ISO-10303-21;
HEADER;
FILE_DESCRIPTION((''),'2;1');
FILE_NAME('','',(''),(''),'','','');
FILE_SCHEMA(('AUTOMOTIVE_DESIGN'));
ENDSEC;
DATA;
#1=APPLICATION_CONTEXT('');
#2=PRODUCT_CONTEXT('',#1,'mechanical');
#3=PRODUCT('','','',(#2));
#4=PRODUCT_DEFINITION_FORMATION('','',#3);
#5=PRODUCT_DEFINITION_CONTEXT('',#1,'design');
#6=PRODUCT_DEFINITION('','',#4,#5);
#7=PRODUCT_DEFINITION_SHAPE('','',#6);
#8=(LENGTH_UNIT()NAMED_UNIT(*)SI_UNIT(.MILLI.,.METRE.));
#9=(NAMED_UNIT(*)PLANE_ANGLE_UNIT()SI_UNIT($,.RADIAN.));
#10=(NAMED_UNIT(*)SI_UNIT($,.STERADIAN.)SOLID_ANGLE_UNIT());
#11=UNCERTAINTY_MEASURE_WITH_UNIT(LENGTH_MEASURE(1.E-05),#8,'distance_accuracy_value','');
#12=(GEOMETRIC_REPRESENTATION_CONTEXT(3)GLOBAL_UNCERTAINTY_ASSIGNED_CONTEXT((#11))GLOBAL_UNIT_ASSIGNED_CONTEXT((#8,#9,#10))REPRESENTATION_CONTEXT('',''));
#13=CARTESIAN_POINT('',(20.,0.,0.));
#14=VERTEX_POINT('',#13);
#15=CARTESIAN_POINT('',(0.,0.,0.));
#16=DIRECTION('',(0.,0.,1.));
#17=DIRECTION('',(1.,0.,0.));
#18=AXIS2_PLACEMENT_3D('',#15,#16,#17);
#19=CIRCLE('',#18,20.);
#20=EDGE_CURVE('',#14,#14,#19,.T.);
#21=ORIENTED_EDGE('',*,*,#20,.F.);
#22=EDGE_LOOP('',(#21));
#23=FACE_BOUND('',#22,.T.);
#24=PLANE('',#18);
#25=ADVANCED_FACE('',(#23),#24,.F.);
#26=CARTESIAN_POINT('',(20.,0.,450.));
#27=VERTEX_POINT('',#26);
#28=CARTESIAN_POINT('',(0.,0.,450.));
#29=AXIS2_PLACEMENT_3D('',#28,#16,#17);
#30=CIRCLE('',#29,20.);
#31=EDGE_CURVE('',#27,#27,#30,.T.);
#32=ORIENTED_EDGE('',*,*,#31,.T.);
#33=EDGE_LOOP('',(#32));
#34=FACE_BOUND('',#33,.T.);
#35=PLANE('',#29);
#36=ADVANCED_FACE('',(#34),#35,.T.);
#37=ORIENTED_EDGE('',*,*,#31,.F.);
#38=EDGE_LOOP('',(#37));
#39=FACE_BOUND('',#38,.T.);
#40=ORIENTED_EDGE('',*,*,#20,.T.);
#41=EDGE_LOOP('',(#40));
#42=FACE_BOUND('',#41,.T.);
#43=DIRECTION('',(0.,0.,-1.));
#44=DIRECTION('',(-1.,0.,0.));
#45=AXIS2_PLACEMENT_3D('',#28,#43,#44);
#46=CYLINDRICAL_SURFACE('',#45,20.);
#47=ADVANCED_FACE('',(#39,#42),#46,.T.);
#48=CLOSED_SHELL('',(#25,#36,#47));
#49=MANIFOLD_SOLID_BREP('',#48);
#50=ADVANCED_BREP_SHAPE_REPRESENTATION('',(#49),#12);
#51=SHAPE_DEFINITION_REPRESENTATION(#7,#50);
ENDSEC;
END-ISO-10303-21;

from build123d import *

# Parameters (mm, degrees)
SKETCH1_R           = 20
BOSS_EXTRUDE1_DEPTH = 450


with BuildPart() as part:
    # Sketch1 → Boss-Extrude1 (new body)
    with BuildSketch(Plane.XY):
        Circle(SKETCH1_R)
    extrude(amount=BOSS_EXTRUDE1_DEPTH)


solid = part.part
